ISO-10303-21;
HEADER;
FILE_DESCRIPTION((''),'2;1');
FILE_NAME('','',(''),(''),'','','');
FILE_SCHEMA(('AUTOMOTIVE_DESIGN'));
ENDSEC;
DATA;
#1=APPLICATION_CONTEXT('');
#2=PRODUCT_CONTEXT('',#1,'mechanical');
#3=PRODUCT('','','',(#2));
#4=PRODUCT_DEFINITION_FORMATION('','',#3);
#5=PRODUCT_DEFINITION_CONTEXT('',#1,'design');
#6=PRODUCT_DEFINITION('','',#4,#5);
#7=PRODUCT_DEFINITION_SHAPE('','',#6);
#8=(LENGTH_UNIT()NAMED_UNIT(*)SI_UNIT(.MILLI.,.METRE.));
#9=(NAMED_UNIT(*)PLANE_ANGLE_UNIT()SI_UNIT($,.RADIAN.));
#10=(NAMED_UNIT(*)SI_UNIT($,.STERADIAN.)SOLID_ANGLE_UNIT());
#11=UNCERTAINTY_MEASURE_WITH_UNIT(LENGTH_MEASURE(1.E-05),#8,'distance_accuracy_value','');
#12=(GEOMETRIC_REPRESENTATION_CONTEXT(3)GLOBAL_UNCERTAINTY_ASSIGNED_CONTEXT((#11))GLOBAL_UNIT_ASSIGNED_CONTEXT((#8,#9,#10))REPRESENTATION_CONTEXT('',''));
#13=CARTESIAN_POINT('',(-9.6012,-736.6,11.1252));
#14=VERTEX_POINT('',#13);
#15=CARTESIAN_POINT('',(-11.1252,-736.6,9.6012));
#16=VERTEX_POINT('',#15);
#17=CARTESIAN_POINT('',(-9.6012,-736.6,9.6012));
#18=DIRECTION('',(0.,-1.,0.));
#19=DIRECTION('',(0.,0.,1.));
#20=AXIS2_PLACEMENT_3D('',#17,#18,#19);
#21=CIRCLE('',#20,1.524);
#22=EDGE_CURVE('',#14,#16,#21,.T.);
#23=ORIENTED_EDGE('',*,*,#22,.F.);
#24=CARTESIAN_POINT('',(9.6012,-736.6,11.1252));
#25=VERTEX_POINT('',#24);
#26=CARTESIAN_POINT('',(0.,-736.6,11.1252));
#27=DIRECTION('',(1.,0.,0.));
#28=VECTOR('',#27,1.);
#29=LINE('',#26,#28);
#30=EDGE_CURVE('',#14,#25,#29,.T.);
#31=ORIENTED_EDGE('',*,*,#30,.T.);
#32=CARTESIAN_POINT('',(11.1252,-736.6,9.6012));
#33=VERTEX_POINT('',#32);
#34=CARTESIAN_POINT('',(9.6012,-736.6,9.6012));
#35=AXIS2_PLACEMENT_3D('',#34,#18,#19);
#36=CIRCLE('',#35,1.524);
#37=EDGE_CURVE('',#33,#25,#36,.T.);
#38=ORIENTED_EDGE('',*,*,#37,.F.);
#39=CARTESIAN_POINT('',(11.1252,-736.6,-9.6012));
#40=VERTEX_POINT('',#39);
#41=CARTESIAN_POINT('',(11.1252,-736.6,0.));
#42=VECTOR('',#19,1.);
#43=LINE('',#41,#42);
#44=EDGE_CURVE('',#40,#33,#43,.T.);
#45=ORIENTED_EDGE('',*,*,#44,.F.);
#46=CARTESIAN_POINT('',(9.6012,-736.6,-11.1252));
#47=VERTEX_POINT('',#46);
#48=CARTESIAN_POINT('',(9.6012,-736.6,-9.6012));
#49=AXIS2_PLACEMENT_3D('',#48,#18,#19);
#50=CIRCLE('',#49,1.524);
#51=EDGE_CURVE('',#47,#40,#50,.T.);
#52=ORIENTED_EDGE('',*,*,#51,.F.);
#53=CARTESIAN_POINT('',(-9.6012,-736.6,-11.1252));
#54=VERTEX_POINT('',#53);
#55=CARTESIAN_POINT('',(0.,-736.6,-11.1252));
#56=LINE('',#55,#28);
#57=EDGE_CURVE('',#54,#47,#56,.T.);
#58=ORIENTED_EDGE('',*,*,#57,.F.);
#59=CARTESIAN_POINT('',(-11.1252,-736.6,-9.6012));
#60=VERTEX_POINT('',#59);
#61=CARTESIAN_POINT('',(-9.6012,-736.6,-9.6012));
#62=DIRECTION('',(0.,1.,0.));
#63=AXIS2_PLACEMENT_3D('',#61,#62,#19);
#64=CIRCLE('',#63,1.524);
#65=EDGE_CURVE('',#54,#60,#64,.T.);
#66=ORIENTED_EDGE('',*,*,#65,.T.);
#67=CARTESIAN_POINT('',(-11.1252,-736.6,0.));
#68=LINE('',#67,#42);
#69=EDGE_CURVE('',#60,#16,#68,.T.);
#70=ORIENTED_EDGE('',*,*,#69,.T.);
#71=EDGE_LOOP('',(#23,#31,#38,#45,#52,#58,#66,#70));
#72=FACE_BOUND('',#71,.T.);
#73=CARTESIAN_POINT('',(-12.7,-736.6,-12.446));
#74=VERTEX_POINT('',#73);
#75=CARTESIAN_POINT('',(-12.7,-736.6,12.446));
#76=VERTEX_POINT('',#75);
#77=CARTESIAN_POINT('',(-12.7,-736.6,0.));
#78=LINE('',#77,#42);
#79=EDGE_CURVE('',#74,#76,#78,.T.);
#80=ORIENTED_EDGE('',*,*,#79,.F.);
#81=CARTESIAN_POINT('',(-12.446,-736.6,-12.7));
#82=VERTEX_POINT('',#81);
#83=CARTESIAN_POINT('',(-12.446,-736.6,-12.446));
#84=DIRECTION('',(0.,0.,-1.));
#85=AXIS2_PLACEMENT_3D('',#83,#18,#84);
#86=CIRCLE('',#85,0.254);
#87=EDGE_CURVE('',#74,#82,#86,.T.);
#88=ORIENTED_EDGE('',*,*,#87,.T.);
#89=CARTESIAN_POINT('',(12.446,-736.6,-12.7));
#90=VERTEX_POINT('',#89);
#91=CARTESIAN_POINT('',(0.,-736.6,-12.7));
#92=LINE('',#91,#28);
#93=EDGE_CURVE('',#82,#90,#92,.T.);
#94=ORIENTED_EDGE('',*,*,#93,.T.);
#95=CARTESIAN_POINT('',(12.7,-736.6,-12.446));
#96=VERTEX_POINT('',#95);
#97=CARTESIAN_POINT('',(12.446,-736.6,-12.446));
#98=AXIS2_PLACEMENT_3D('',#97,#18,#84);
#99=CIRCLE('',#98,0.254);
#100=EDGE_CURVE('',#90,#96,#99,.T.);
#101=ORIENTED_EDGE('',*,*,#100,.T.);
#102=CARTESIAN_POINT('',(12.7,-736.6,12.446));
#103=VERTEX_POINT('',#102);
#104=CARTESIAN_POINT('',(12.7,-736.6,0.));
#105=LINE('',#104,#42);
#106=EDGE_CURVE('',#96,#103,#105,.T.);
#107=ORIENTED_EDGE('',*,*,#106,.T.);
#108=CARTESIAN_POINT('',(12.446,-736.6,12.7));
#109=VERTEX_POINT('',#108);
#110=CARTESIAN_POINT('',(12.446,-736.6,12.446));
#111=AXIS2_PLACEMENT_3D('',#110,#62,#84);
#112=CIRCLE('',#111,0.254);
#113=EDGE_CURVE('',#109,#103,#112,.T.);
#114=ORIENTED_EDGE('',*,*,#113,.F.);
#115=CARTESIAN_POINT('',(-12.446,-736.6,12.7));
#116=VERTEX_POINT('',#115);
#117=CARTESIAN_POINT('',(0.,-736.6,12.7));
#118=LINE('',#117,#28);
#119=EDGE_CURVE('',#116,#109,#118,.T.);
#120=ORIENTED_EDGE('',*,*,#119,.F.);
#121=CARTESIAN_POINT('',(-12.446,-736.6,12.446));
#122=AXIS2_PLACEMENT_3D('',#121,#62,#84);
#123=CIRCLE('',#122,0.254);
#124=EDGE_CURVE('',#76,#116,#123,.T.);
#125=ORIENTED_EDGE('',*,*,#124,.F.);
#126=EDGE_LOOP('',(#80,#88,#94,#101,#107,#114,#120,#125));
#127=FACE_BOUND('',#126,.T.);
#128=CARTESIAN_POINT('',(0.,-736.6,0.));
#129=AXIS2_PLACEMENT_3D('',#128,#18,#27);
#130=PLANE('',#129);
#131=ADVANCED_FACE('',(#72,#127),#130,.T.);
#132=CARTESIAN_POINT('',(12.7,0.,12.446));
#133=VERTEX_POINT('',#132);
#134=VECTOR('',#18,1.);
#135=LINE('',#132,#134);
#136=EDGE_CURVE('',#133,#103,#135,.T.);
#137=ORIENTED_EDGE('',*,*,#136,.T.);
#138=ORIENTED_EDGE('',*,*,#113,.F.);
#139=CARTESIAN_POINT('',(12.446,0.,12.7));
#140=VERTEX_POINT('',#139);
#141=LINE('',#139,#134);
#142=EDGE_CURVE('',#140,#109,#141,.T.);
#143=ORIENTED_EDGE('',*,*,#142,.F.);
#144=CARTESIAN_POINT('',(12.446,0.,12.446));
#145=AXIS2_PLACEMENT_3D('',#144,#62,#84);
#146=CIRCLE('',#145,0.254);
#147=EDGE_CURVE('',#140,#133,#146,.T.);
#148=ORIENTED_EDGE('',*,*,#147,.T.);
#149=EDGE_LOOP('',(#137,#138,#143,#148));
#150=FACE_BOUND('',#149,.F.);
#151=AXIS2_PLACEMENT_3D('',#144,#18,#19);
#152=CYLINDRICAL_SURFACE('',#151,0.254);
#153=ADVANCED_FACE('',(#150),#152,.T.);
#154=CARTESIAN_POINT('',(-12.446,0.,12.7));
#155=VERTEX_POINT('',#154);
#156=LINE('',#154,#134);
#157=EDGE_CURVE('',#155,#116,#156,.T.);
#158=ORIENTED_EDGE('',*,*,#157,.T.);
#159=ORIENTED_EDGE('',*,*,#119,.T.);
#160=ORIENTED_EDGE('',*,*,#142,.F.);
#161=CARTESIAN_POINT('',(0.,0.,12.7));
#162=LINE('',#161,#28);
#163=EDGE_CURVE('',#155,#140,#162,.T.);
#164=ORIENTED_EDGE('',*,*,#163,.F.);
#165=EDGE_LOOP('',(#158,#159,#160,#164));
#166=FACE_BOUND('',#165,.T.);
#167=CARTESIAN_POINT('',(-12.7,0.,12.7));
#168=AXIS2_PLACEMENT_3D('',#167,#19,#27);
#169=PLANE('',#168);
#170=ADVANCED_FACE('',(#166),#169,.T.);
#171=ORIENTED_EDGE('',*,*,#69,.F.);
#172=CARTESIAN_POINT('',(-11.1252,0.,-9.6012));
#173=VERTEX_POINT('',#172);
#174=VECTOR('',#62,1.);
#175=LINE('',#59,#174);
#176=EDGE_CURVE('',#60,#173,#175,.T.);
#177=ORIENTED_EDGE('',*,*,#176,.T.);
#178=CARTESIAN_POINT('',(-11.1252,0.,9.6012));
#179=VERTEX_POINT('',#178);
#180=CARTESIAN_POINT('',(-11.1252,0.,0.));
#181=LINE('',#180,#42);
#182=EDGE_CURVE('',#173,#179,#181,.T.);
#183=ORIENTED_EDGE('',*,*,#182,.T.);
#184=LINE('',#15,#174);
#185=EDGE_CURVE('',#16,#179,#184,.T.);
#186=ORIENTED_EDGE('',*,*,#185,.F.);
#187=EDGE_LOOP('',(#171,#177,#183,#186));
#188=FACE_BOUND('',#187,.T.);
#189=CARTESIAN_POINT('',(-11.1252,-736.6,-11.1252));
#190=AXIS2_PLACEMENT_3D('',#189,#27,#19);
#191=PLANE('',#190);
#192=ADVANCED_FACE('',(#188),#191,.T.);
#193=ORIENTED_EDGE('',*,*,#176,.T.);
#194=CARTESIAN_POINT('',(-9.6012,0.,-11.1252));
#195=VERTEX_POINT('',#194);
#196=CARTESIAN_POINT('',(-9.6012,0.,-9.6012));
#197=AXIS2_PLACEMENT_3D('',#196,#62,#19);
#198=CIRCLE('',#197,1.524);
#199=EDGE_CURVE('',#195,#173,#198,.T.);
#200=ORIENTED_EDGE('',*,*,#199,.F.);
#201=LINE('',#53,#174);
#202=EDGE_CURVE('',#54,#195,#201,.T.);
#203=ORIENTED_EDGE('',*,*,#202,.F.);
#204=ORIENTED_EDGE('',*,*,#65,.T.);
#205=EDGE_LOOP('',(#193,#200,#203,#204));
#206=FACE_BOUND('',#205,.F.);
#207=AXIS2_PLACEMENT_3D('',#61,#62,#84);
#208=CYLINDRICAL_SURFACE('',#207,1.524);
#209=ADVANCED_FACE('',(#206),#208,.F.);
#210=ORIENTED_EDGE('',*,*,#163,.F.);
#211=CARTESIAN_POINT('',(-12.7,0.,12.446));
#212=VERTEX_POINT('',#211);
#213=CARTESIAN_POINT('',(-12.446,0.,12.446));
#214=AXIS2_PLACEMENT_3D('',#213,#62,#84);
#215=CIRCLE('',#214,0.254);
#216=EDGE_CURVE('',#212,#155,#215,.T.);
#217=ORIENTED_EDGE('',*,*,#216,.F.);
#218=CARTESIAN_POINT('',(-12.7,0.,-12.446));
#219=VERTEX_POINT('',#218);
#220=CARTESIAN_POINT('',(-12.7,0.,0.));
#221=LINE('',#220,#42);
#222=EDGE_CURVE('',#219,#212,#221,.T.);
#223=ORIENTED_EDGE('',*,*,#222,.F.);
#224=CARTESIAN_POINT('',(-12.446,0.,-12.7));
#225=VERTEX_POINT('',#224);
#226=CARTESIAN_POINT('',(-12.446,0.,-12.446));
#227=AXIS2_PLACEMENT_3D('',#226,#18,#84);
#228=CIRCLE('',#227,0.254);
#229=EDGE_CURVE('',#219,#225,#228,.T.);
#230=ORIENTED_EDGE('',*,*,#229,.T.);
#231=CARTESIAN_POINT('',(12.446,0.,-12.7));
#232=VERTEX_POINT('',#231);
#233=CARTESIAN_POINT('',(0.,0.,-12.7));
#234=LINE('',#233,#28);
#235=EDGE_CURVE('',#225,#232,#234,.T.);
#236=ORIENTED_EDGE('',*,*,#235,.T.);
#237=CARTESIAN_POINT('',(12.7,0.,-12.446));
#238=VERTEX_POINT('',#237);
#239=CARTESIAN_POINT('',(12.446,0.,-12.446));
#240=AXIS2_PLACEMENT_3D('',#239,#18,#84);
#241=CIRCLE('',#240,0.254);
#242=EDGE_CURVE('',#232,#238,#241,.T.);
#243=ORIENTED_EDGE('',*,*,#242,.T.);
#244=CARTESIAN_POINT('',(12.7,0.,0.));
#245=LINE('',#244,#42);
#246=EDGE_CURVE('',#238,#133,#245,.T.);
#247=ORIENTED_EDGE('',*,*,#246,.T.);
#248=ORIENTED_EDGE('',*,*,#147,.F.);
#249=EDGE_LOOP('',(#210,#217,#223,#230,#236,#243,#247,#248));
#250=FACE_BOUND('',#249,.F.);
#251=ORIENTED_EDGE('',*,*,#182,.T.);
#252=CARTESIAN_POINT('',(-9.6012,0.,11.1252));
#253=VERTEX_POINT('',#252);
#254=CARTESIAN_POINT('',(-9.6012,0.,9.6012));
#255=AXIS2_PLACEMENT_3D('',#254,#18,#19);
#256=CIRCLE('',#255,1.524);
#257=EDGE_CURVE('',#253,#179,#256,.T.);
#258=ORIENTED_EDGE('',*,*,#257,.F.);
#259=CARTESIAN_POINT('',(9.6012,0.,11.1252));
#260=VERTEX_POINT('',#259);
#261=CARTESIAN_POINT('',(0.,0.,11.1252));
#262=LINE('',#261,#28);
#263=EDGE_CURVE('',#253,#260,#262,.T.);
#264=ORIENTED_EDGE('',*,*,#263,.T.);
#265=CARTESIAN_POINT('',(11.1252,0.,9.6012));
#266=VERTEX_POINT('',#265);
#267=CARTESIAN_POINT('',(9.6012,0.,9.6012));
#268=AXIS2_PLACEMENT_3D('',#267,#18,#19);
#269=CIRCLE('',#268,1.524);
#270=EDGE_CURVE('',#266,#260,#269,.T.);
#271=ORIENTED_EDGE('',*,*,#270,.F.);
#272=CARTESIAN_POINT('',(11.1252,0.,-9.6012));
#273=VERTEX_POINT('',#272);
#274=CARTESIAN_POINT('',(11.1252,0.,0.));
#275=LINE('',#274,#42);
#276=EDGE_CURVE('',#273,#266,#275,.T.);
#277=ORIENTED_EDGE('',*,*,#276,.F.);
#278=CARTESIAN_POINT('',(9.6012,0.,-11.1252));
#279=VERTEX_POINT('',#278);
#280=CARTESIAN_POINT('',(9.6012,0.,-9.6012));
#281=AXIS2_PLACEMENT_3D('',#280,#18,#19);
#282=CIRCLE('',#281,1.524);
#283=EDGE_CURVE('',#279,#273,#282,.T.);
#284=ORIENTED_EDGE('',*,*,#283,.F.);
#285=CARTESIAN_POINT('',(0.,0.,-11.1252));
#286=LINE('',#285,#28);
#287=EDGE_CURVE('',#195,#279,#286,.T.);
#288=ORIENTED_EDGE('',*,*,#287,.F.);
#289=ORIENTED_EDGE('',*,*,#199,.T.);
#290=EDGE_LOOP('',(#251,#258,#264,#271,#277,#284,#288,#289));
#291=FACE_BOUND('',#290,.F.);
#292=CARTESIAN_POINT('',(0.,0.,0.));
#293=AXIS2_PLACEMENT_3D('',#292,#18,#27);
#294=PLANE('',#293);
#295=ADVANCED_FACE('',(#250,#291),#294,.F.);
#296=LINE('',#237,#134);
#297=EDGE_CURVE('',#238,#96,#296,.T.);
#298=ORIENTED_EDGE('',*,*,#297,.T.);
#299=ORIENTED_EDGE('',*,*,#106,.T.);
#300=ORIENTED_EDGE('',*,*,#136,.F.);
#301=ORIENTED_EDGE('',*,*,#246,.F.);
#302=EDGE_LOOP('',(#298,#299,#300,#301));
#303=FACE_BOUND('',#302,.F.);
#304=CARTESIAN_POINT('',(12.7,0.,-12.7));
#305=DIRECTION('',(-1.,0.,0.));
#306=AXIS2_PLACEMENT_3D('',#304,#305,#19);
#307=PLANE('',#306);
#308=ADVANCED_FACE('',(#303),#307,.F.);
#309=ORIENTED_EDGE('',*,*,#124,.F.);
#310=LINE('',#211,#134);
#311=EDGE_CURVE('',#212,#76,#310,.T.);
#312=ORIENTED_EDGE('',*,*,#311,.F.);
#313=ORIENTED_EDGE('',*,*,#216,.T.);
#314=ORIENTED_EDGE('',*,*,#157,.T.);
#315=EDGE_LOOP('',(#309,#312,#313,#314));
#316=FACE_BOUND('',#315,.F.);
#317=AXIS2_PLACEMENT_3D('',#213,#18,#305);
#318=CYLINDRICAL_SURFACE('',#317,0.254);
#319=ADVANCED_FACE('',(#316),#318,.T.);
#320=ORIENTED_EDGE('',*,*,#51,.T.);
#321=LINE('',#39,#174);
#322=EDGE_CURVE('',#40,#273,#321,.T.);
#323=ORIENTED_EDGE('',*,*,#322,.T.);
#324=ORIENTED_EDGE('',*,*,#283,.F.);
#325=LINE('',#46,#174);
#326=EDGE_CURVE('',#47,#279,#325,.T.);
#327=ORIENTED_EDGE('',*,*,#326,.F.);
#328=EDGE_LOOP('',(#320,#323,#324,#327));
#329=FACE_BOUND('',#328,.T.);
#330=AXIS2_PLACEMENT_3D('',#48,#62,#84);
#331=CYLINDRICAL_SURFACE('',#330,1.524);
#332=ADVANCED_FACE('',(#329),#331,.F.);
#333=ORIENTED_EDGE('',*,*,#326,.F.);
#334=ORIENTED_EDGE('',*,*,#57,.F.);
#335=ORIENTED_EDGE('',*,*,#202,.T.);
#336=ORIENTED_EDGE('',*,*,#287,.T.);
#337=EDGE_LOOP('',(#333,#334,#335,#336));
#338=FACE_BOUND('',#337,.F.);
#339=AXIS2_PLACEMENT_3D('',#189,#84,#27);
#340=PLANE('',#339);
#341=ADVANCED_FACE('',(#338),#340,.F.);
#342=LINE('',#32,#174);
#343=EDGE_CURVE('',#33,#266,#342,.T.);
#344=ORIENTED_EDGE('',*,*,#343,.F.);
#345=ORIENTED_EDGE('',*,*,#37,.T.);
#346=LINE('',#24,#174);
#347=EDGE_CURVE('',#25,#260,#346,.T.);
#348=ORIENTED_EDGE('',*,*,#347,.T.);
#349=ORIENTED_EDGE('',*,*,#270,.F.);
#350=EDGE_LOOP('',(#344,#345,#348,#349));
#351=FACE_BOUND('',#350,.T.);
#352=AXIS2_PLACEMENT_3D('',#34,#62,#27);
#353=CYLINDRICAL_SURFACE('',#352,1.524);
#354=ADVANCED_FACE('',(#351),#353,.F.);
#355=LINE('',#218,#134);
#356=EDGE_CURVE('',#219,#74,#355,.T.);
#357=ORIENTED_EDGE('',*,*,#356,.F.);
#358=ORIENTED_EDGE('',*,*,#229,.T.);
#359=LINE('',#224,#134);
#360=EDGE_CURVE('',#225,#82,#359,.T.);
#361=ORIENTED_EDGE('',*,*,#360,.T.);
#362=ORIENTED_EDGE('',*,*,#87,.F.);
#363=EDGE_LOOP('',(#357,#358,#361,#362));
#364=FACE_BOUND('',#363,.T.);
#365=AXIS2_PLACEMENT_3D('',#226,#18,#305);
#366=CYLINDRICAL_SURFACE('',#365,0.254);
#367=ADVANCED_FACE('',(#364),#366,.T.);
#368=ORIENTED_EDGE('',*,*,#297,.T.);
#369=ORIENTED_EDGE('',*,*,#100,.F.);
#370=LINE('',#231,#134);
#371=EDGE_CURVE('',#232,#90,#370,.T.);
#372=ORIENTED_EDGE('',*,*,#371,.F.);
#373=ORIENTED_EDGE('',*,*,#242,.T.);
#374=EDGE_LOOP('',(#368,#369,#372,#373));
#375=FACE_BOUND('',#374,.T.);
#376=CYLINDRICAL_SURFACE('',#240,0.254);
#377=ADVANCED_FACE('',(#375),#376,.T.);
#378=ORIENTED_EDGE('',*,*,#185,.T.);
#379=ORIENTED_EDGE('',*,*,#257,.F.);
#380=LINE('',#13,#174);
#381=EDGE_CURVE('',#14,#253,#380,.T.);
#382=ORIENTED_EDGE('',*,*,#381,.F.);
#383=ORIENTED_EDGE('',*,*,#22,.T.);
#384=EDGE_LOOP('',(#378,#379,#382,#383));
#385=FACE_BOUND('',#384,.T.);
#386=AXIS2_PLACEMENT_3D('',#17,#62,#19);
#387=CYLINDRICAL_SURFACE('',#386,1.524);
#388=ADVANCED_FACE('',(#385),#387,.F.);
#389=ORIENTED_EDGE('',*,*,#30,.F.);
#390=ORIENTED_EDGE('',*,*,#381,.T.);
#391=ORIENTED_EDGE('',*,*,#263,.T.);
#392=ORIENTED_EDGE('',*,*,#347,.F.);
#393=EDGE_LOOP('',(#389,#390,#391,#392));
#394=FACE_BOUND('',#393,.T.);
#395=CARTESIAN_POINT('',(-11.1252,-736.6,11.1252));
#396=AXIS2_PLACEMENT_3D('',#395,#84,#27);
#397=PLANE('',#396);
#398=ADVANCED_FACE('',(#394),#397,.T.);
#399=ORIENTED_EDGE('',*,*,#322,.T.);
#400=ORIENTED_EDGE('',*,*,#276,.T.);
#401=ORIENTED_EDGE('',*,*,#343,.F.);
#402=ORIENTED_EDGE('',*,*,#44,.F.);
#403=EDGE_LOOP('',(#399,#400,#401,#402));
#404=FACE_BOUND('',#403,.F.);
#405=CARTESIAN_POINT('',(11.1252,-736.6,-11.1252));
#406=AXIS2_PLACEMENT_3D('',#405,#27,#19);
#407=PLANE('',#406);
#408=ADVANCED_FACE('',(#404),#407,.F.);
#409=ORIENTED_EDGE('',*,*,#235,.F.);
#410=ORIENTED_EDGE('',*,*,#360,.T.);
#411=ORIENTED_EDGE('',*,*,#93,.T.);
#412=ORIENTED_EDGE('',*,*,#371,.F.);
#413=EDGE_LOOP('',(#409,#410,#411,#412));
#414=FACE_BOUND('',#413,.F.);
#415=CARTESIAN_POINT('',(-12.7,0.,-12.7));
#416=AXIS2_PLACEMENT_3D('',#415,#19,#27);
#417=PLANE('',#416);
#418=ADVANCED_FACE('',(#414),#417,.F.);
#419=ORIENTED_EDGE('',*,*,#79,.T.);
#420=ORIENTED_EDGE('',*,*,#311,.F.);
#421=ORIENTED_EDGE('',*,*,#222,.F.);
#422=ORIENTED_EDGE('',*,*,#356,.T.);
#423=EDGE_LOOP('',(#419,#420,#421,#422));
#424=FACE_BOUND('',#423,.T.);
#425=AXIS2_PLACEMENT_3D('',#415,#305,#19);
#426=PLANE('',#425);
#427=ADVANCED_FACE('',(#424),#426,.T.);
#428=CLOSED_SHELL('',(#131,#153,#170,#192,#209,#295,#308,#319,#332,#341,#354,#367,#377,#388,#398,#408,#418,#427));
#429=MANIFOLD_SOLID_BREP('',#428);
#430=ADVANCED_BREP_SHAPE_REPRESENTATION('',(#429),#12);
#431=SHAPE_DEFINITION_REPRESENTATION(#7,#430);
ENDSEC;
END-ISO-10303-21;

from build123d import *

# Parameters (mm, degrees)
F0_W     = 25.4
F0_H     = 25.4
F1_DEPTH = 736.6
F2_W     = 22.2504
F2_H     = 22.2504
F3_DEPTH = 736.6
F4_R     = 1.524
F5_R     = 0.254


with BuildPart() as f1:
    # F0 (on Front) → F1 (new body)
    with BuildSketch(Plane.XZ):
        Rectangle(F0_W, F0_H)
    extrude(amount=F1_DEPTH)

    # F2 (on face) → F3 (cut, through all)
    with BuildSketch(Plane.XZ.offset(736.6)):
        Rectangle(F2_W, F2_H)
    extrude(amount=-F3_DEPTH, mode=Mode.SUBTRACT)

    # F4
    f4_edges = [f1.edges().sort_by_distance(p)[0] for p in [
        (-11.1252, -368.3, 11.1252),
        (11.1252, -368.3, -11.1252),
        (11.1252, -368.3, 11.1252),
        (-11.1252, -368.3, -11.1252),
    ]]
    fillet(f4_edges, radius=F4_R)

    # F5
    f5_edges = [f1.edges().sort_by_distance(p)[0] for p in [
        (12.7, -368.3, 12.7),
        (12.7, -368.3, -12.7),
        (-12.7, -368.3, -12.7),
        (-12.7, -368.3, 12.7),
    ]]
    fillet(f5_edges, radius=F5_R)


solid = f1.part
